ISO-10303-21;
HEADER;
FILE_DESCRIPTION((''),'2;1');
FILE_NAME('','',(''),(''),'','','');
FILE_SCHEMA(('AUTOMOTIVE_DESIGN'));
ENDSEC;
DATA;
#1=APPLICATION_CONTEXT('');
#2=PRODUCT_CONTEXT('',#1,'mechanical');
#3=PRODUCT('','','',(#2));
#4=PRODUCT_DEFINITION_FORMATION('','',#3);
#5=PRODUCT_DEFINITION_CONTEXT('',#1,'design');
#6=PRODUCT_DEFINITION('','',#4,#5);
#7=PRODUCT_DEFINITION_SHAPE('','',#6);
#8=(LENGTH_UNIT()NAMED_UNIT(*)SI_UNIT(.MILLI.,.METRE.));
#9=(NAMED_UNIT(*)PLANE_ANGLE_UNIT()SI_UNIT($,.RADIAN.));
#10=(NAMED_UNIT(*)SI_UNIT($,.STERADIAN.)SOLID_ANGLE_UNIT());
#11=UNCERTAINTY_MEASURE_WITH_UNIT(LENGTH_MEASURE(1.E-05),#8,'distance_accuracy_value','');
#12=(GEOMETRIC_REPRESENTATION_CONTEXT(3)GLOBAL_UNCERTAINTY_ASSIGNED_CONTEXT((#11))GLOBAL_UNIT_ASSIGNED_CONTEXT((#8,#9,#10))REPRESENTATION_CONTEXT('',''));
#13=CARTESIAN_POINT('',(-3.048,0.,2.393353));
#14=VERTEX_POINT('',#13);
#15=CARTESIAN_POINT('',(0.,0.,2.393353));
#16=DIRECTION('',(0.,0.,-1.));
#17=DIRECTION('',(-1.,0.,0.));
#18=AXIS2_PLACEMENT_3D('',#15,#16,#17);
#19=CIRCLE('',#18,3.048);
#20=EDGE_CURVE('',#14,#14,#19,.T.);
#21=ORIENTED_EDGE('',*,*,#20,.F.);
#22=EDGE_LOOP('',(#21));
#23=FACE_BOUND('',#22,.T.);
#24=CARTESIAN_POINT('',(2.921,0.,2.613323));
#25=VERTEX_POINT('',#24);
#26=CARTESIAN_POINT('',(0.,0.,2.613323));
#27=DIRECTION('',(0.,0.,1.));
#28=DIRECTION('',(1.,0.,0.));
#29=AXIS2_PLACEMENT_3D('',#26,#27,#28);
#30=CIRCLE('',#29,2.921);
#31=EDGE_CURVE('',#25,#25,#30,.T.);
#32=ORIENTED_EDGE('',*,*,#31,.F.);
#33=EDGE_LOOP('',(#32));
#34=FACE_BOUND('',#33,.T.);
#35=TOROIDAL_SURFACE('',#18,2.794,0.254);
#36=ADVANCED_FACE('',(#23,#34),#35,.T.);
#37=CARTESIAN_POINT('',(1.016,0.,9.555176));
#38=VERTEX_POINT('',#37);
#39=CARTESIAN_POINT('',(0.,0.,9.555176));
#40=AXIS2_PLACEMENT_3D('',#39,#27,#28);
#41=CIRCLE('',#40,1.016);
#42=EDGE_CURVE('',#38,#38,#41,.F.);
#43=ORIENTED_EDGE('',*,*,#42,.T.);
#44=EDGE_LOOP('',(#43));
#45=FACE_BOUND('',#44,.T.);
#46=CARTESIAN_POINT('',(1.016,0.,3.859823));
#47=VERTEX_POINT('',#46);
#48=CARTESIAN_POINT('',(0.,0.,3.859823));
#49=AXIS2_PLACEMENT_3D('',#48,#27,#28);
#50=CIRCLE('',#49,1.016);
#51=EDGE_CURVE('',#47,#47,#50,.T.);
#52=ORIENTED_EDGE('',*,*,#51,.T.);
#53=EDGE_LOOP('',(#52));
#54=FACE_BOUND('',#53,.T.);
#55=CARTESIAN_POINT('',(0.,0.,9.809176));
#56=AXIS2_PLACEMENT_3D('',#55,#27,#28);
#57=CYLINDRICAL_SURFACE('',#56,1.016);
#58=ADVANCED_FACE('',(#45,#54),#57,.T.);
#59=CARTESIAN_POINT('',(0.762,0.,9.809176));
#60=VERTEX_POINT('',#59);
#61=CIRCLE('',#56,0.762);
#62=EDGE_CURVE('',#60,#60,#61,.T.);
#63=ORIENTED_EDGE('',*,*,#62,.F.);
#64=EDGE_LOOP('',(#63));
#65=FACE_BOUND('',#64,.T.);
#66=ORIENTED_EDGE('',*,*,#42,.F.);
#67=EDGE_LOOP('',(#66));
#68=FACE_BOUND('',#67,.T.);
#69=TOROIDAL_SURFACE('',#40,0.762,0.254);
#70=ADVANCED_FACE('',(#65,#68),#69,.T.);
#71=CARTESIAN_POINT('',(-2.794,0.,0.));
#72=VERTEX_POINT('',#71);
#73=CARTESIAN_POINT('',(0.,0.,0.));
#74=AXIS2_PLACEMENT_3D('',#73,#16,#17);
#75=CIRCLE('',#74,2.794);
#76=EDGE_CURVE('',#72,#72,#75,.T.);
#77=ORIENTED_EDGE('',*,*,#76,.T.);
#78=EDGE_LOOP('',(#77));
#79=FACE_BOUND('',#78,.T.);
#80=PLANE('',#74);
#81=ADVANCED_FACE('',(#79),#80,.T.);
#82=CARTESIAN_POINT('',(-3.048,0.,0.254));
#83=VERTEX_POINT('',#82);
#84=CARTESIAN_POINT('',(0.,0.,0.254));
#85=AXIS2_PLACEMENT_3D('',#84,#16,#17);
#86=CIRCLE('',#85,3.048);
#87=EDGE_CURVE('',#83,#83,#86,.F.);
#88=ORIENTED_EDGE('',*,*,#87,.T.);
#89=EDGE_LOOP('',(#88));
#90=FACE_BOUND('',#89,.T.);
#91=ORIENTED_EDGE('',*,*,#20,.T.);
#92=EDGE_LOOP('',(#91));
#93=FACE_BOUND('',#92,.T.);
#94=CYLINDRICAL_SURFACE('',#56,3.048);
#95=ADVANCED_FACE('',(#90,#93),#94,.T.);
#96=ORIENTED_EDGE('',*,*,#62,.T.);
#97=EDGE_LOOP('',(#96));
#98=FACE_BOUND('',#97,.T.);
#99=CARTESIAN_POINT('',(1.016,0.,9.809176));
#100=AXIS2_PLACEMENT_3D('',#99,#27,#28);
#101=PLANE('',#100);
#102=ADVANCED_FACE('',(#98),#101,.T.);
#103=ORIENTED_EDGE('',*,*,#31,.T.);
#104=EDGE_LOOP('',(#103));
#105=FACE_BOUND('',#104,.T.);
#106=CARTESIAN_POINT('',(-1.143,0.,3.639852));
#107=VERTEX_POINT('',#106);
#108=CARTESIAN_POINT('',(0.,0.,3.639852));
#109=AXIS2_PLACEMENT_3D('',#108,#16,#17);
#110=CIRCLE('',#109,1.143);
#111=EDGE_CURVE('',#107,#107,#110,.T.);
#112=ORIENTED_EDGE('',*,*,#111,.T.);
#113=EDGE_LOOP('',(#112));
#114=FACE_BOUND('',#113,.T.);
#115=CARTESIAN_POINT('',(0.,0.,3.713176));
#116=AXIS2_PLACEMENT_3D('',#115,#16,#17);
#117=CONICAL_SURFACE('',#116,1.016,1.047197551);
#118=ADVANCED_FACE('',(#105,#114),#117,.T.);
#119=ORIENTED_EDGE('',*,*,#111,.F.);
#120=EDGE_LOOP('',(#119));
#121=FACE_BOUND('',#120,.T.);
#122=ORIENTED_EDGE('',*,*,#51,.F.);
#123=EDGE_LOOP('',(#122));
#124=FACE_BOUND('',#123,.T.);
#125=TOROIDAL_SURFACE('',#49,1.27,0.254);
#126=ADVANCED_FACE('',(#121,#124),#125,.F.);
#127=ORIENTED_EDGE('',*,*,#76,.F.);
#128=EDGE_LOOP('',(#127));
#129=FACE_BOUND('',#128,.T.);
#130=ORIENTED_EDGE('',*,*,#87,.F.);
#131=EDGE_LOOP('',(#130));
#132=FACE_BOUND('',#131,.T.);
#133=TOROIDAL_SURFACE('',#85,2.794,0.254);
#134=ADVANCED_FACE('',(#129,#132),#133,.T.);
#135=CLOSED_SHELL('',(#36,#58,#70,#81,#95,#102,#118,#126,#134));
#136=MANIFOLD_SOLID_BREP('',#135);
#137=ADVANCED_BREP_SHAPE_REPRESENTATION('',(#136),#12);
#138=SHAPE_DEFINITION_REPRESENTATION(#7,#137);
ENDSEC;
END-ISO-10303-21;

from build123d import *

# Parameters (mm, degrees)
FILLET1_R = 0.254


with BuildPart() as part:
    # Sketch1 → Revolve1 (revolve)
    with BuildSketch(Plane(origin=(0, 0, 0), x_dir=(1, 0, 0), z_dir=(0, 1, 0))):
        Polygon((0, 0), (3.048, 0), (3.048, -2.54), (1.016, -3.713175747), (1.016, -9.809175747), (0, -9.809175747), align=None)
    revolve(axis=Axis((0, 0, 9.809175747), (0, 0, -1)))

    # Fillet1
    fillet1_edges = [part.edges().sort_by_distance(p)[0] for p in [
        (-1.016, 0, 9.809175747),
        (-1.016, 0, 3.713175747),
        (-3.048, 0, 2.54),
        (-3.048, 0, 0),
    ]]
    fillet(fillet1_edges, radius=FILLET1_R)


solid = part.part
